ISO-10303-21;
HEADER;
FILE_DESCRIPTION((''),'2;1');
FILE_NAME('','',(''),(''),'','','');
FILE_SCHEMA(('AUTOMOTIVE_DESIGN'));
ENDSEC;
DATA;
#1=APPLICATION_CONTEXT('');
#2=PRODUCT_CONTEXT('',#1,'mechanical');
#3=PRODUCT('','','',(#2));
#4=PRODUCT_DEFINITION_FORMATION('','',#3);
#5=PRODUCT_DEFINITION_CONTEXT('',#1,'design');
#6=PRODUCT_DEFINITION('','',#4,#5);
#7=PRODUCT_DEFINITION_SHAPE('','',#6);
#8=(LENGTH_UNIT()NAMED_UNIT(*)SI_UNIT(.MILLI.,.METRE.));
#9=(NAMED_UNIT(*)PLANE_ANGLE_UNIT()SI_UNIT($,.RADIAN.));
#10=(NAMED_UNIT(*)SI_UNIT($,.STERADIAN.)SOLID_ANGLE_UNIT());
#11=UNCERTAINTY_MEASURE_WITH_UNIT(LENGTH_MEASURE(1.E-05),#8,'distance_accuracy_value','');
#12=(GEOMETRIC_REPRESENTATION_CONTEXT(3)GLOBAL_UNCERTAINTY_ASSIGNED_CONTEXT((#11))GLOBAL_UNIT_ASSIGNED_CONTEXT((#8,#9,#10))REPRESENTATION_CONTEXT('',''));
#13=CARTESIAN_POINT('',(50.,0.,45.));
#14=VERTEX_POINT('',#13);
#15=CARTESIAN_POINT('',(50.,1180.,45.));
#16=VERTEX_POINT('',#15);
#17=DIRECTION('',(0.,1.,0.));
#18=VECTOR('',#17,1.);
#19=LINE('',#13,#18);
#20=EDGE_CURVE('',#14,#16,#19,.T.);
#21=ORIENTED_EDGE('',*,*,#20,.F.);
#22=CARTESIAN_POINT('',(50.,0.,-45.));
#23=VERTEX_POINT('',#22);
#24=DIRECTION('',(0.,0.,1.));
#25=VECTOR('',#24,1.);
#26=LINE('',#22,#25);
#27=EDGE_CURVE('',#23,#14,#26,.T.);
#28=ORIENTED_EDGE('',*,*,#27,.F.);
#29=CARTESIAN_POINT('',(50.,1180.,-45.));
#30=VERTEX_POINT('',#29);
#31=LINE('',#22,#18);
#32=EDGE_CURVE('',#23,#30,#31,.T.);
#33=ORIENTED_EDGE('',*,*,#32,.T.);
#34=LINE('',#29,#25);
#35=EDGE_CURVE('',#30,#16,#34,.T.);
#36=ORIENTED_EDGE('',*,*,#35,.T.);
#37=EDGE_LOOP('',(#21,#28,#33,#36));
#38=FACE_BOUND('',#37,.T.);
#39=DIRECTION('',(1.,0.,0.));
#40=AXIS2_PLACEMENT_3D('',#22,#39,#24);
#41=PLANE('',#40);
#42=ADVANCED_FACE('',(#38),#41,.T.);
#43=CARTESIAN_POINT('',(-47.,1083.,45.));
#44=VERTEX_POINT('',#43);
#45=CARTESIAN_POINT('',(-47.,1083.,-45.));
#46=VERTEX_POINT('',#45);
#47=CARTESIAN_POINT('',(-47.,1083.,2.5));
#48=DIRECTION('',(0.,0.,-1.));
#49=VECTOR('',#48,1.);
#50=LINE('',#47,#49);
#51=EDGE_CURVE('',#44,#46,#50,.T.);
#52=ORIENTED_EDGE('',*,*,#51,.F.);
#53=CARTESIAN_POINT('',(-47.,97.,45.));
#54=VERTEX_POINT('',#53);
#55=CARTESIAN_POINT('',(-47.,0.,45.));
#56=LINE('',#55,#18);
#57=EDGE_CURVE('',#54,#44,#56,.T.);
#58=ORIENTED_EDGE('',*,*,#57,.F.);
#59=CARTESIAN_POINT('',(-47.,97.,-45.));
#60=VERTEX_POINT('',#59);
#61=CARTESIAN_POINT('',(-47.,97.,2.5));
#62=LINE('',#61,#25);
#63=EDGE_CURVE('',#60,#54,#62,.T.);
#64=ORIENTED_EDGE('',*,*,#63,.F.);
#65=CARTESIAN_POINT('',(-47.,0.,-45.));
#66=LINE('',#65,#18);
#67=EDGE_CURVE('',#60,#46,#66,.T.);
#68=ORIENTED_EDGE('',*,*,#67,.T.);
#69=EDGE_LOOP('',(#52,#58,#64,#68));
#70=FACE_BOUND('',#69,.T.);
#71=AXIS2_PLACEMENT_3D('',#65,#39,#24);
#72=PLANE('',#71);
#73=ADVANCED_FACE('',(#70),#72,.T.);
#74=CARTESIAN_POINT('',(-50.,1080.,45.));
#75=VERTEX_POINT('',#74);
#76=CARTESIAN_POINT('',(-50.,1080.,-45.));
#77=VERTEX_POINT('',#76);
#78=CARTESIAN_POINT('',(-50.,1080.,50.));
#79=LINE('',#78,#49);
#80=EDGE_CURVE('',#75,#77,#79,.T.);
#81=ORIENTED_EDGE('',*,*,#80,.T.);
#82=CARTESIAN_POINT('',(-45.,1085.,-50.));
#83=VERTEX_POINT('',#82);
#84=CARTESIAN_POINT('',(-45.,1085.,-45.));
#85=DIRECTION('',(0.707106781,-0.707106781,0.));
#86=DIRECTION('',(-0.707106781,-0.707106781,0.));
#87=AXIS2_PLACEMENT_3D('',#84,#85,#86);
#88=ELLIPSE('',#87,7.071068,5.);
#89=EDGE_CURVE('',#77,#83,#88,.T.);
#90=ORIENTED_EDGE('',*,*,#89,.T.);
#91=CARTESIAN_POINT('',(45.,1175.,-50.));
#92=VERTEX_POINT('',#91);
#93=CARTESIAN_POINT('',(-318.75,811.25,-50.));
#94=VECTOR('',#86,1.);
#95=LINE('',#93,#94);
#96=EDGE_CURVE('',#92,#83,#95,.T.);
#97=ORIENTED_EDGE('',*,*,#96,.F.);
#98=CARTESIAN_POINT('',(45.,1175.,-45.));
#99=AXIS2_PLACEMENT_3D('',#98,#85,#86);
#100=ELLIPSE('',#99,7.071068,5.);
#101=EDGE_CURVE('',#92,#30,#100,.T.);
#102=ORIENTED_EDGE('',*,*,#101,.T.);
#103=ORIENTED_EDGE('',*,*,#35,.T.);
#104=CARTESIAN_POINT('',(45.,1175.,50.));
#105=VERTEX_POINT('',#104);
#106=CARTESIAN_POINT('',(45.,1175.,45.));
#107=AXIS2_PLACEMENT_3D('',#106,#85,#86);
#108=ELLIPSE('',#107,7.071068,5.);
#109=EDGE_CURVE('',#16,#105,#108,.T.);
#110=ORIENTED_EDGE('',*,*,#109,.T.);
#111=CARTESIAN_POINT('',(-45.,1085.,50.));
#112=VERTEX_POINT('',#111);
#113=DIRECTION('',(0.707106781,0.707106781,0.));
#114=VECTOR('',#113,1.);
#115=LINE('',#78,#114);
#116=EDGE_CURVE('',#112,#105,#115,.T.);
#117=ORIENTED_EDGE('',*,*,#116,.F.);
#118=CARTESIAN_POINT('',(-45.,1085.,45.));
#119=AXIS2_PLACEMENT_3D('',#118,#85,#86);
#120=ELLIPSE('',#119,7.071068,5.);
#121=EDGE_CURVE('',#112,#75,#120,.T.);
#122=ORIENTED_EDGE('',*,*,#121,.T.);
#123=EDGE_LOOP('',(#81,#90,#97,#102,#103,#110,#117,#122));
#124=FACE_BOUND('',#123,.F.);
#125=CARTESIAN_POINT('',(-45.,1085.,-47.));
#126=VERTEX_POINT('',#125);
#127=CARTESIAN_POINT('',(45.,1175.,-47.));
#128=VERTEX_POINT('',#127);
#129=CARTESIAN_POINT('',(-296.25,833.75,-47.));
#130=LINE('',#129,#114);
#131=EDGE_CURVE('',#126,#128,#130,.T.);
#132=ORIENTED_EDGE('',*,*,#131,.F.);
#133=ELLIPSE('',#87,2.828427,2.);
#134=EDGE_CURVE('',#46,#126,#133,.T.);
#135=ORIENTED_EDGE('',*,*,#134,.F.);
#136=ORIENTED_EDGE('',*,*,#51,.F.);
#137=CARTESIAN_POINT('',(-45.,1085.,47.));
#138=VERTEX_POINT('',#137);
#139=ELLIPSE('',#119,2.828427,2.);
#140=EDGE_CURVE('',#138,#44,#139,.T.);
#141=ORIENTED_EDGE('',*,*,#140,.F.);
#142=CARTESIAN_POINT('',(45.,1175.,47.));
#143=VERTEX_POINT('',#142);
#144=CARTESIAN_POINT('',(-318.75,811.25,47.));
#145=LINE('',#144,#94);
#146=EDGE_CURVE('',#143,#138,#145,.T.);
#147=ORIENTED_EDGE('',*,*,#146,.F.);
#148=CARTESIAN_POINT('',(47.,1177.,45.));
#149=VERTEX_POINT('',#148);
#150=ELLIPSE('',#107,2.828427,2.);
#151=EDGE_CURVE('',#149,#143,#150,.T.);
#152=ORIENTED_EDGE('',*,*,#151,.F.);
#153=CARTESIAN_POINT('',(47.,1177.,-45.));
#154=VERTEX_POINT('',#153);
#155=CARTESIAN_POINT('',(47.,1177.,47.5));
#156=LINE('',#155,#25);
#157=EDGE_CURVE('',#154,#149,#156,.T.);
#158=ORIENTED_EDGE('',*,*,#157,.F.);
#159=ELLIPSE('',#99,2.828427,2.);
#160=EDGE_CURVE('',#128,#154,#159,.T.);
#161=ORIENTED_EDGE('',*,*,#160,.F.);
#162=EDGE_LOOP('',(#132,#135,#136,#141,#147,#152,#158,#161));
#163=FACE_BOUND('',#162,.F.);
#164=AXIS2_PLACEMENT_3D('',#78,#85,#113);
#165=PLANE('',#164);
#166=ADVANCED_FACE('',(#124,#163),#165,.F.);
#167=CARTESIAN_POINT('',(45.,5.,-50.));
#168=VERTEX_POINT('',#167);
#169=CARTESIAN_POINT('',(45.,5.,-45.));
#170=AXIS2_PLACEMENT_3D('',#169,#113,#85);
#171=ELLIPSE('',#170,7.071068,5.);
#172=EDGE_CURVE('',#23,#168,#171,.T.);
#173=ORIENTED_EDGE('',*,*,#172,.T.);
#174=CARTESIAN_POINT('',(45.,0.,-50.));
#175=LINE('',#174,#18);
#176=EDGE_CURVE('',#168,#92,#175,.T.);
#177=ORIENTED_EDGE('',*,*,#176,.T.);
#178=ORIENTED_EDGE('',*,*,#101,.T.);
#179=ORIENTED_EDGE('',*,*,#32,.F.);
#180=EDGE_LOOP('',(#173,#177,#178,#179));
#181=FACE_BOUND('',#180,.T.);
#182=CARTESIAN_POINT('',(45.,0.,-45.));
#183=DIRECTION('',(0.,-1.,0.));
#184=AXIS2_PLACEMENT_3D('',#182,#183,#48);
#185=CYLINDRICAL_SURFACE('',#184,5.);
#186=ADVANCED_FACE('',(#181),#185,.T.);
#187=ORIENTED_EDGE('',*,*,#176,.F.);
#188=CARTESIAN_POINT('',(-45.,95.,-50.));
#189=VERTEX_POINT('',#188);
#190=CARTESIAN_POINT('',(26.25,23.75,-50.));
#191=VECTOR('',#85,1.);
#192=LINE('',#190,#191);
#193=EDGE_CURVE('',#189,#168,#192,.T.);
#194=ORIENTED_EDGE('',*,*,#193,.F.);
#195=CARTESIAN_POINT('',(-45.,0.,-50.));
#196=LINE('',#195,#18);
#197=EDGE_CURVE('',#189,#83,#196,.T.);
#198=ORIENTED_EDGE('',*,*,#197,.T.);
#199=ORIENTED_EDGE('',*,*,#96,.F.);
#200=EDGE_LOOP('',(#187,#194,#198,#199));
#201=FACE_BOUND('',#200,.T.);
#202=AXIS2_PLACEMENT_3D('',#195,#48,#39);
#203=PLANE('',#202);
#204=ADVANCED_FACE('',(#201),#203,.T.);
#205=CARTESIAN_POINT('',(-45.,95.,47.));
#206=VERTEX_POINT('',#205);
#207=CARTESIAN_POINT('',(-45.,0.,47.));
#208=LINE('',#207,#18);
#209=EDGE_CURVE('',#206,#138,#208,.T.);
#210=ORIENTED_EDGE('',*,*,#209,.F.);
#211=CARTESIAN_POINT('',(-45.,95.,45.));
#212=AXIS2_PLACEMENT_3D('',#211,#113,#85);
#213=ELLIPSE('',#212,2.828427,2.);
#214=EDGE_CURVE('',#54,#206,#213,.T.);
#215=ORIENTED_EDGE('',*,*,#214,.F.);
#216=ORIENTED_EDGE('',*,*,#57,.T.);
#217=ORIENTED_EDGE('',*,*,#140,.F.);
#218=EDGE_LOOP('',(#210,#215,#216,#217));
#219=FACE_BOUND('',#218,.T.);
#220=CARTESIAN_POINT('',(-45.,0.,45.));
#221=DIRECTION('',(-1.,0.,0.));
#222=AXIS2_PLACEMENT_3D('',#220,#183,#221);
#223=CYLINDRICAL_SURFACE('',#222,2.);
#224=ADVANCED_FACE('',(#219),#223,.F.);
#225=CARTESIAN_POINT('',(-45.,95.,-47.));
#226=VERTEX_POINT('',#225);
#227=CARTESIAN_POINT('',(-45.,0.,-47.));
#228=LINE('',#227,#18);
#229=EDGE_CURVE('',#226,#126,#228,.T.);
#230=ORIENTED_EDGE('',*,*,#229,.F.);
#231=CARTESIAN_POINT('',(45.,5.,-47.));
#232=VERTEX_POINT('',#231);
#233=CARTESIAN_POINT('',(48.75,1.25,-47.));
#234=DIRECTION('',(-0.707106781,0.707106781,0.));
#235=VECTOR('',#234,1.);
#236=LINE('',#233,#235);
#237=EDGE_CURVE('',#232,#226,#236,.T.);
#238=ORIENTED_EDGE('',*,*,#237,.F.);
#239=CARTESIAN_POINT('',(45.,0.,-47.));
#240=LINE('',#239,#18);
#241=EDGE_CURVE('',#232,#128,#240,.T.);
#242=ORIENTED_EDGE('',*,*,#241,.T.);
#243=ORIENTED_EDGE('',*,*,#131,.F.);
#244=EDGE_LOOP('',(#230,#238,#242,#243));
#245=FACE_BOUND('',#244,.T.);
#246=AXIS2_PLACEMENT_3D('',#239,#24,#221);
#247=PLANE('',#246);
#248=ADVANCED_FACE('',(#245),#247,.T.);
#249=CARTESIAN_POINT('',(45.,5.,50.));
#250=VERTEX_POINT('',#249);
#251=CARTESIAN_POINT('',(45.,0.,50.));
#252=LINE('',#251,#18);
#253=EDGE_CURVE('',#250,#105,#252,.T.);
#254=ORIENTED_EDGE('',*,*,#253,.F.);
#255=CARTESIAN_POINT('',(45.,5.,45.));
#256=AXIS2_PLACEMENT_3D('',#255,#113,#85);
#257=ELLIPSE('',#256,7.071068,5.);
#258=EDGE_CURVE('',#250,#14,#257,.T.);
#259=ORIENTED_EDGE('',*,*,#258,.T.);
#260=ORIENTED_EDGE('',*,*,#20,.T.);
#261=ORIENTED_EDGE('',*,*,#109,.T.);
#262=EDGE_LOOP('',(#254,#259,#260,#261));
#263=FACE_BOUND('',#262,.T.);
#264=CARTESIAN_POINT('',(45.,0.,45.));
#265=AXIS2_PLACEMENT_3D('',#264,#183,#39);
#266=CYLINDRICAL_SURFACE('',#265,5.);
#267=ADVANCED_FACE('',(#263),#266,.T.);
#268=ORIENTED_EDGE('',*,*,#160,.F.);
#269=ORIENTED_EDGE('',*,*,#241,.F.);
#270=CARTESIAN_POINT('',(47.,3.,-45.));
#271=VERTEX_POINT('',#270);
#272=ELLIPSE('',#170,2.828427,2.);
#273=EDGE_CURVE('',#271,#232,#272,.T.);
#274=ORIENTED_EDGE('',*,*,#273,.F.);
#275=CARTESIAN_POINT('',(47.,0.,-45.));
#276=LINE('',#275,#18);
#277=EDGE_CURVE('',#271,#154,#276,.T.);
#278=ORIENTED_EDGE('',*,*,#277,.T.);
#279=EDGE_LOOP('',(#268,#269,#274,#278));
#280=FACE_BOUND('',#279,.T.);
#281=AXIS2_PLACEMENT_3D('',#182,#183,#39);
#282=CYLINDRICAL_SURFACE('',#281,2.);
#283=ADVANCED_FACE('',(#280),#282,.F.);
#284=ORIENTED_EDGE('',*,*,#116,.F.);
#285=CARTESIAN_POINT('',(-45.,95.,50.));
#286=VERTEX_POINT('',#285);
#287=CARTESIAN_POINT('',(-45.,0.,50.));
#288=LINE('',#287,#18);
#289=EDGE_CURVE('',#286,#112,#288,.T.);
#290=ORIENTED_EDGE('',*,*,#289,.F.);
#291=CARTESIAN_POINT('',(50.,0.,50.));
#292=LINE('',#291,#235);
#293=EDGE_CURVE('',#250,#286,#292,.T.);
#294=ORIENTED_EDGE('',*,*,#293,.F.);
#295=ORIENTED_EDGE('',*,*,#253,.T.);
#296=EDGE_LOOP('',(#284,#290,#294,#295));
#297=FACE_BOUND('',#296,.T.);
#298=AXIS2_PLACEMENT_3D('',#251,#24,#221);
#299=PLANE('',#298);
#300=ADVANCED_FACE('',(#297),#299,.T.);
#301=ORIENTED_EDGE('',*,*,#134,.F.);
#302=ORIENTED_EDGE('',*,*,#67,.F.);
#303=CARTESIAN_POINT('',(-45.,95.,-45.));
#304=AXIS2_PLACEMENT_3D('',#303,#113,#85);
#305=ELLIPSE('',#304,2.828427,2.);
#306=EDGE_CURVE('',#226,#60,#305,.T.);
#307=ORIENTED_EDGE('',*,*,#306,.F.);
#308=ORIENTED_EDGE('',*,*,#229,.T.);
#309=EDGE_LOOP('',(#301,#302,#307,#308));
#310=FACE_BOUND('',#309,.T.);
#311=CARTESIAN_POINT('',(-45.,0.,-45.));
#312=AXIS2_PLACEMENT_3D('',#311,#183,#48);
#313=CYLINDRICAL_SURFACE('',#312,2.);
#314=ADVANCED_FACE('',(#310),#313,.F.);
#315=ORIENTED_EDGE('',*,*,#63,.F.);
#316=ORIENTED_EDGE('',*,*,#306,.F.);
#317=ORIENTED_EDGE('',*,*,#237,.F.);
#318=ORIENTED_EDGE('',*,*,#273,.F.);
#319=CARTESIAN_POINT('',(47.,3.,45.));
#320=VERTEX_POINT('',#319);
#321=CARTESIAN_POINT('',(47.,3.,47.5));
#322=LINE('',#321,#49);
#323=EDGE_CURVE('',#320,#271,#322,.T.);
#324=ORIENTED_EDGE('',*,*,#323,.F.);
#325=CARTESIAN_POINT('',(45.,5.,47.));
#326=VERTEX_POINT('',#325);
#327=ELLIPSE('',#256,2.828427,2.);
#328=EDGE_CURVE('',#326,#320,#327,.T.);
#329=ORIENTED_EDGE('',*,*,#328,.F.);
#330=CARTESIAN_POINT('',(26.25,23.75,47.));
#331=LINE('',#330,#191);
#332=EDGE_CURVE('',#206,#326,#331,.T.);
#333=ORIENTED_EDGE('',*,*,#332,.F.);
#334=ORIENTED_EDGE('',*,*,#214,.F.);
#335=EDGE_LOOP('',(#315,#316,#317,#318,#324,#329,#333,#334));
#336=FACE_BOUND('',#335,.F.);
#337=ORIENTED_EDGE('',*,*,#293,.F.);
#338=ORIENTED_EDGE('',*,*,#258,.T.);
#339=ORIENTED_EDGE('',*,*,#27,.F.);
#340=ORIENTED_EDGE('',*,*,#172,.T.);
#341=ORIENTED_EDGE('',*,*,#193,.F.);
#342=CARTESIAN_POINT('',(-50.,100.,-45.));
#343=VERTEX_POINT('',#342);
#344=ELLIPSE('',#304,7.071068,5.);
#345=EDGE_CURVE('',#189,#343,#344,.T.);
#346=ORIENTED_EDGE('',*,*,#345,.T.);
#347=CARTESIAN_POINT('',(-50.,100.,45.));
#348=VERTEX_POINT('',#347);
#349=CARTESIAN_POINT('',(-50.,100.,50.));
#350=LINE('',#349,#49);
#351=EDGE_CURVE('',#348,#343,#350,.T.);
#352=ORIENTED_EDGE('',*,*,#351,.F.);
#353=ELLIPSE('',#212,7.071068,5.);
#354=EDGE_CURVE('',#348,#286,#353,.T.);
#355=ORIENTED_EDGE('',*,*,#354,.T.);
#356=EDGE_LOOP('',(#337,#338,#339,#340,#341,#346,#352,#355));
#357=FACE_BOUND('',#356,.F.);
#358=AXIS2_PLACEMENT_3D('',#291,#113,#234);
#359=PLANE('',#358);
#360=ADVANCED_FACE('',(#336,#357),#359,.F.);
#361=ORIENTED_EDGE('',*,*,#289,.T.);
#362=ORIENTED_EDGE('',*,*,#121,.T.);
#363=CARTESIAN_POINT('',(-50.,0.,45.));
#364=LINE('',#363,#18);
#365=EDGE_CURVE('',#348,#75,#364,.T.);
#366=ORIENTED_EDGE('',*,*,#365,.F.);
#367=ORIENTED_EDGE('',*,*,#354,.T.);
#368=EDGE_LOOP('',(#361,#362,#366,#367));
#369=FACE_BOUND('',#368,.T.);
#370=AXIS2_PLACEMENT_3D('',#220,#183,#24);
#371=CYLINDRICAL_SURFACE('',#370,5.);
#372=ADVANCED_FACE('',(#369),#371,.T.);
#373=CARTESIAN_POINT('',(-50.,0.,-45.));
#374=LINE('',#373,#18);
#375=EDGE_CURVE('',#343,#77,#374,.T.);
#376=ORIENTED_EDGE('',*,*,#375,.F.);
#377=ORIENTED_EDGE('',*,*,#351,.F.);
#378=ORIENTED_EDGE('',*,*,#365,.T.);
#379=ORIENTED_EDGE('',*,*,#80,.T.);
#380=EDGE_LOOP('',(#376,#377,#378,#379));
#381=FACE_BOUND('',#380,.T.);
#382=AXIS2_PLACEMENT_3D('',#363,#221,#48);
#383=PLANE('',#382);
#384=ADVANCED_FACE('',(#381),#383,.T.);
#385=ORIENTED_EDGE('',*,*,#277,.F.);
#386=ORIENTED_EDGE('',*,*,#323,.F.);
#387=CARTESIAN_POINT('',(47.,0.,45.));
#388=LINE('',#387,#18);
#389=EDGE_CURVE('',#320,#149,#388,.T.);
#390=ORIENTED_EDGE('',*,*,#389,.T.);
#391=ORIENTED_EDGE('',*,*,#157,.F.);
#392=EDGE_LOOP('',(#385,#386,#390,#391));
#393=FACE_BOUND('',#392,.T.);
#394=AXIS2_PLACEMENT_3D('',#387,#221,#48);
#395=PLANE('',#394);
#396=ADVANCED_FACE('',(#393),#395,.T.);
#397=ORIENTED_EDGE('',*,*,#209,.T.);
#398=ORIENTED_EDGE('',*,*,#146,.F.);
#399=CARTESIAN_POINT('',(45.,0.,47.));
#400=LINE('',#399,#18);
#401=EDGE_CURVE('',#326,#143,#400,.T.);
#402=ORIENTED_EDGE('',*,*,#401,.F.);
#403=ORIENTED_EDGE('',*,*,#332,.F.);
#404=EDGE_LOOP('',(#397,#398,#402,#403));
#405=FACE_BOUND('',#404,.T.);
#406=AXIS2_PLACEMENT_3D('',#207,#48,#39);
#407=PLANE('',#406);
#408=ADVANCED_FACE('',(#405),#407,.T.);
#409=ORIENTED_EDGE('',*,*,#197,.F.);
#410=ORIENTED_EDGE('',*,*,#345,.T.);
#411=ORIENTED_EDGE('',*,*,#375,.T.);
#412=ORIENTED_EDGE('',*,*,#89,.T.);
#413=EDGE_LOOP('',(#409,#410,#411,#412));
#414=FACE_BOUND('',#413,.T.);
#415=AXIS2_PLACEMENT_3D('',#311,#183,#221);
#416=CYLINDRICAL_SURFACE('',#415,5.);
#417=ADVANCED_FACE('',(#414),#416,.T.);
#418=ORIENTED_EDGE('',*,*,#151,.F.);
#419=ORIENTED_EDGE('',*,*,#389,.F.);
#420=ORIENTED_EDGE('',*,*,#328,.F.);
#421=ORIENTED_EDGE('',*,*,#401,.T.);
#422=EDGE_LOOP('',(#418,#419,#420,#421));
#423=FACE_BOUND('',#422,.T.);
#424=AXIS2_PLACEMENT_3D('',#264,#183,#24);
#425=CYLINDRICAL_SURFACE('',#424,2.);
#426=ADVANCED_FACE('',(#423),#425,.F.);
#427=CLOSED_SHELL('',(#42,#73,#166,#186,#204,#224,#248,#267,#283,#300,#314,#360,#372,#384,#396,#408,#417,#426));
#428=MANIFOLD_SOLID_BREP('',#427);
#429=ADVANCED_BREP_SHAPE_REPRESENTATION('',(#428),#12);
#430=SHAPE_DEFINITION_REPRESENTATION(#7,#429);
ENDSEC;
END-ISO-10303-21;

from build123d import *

# Parameters (mm, degrees)
F1_DEPTH = 1180
F4_DEPTH = 100.001
F5_DEPTH = 100.001


with BuildPart() as f1:
    # F0 (on Front) → F1 (new body)
    with BuildSketch(Plane.XZ):
        with BuildLine():
            ThreePointArc((50, 45), (48.5355339059, 48.5355339059), (45, 50))
            Line((45, 50), (-45, 50))
            ThreePointArc((-45, 50), (-48.5355339059, 48.5355339059), (-50, 45))
            Line((-50, 45), (-50, -45))
            ThreePointArc((-50, -45), (-48.5355339059, -48.5355339059), (-45, -50))
            Line((-45, -50), (45, -50))
            ThreePointArc((45, -50), (48.5355339059, -48.5355339059), (50, -45))
            Line((50, -45), (50, 45))
        make_face()
        with BuildLine():
            ThreePointArc((-47, 45), (-46.4142135624, 46.4142135624), (-45, 47))
            Line((-45, 47), (45, 47))
            ThreePointArc((45, 47), (46.4142135624, 46.4142135624), (47, 45))
            Line((47, 45), (47, -45))
            ThreePointArc((47, -45), (46.4142135624, -46.4142135624), (45, -47))
            Line((45, -47), (-45, -47))
            ThreePointArc((-45, -47), (-46.4142135624, -46.4142135624), (-47, -45))
            Line((-47, -45), (-47, 45))
        make_face(mode=Mode.SUBTRACT)
    extrude(amount=-F1_DEPTH)

    # F3 (on offset) → F4 (cut, through all)
    with BuildSketch(Plane.XY.offset(50)):
        Polygon((-50, 100), (-50, 0), (50, 0), align=None)
    extrude(amount=-F4_DEPTH, mode=Mode.SUBTRACT)

    # F3 (on offset) → F5 (cut, through all)
    with BuildSketch(Plane.XY.offset(50)):
        Polygon((-50, 100), (-50, 0), (50, 0), align=None)
        Polygon((50, 1180), (-50, 1180), (-50, 1080), align=None)
    extrude(amount=-F5_DEPTH, mode=Mode.SUBTRACT)


solid = f1.part
